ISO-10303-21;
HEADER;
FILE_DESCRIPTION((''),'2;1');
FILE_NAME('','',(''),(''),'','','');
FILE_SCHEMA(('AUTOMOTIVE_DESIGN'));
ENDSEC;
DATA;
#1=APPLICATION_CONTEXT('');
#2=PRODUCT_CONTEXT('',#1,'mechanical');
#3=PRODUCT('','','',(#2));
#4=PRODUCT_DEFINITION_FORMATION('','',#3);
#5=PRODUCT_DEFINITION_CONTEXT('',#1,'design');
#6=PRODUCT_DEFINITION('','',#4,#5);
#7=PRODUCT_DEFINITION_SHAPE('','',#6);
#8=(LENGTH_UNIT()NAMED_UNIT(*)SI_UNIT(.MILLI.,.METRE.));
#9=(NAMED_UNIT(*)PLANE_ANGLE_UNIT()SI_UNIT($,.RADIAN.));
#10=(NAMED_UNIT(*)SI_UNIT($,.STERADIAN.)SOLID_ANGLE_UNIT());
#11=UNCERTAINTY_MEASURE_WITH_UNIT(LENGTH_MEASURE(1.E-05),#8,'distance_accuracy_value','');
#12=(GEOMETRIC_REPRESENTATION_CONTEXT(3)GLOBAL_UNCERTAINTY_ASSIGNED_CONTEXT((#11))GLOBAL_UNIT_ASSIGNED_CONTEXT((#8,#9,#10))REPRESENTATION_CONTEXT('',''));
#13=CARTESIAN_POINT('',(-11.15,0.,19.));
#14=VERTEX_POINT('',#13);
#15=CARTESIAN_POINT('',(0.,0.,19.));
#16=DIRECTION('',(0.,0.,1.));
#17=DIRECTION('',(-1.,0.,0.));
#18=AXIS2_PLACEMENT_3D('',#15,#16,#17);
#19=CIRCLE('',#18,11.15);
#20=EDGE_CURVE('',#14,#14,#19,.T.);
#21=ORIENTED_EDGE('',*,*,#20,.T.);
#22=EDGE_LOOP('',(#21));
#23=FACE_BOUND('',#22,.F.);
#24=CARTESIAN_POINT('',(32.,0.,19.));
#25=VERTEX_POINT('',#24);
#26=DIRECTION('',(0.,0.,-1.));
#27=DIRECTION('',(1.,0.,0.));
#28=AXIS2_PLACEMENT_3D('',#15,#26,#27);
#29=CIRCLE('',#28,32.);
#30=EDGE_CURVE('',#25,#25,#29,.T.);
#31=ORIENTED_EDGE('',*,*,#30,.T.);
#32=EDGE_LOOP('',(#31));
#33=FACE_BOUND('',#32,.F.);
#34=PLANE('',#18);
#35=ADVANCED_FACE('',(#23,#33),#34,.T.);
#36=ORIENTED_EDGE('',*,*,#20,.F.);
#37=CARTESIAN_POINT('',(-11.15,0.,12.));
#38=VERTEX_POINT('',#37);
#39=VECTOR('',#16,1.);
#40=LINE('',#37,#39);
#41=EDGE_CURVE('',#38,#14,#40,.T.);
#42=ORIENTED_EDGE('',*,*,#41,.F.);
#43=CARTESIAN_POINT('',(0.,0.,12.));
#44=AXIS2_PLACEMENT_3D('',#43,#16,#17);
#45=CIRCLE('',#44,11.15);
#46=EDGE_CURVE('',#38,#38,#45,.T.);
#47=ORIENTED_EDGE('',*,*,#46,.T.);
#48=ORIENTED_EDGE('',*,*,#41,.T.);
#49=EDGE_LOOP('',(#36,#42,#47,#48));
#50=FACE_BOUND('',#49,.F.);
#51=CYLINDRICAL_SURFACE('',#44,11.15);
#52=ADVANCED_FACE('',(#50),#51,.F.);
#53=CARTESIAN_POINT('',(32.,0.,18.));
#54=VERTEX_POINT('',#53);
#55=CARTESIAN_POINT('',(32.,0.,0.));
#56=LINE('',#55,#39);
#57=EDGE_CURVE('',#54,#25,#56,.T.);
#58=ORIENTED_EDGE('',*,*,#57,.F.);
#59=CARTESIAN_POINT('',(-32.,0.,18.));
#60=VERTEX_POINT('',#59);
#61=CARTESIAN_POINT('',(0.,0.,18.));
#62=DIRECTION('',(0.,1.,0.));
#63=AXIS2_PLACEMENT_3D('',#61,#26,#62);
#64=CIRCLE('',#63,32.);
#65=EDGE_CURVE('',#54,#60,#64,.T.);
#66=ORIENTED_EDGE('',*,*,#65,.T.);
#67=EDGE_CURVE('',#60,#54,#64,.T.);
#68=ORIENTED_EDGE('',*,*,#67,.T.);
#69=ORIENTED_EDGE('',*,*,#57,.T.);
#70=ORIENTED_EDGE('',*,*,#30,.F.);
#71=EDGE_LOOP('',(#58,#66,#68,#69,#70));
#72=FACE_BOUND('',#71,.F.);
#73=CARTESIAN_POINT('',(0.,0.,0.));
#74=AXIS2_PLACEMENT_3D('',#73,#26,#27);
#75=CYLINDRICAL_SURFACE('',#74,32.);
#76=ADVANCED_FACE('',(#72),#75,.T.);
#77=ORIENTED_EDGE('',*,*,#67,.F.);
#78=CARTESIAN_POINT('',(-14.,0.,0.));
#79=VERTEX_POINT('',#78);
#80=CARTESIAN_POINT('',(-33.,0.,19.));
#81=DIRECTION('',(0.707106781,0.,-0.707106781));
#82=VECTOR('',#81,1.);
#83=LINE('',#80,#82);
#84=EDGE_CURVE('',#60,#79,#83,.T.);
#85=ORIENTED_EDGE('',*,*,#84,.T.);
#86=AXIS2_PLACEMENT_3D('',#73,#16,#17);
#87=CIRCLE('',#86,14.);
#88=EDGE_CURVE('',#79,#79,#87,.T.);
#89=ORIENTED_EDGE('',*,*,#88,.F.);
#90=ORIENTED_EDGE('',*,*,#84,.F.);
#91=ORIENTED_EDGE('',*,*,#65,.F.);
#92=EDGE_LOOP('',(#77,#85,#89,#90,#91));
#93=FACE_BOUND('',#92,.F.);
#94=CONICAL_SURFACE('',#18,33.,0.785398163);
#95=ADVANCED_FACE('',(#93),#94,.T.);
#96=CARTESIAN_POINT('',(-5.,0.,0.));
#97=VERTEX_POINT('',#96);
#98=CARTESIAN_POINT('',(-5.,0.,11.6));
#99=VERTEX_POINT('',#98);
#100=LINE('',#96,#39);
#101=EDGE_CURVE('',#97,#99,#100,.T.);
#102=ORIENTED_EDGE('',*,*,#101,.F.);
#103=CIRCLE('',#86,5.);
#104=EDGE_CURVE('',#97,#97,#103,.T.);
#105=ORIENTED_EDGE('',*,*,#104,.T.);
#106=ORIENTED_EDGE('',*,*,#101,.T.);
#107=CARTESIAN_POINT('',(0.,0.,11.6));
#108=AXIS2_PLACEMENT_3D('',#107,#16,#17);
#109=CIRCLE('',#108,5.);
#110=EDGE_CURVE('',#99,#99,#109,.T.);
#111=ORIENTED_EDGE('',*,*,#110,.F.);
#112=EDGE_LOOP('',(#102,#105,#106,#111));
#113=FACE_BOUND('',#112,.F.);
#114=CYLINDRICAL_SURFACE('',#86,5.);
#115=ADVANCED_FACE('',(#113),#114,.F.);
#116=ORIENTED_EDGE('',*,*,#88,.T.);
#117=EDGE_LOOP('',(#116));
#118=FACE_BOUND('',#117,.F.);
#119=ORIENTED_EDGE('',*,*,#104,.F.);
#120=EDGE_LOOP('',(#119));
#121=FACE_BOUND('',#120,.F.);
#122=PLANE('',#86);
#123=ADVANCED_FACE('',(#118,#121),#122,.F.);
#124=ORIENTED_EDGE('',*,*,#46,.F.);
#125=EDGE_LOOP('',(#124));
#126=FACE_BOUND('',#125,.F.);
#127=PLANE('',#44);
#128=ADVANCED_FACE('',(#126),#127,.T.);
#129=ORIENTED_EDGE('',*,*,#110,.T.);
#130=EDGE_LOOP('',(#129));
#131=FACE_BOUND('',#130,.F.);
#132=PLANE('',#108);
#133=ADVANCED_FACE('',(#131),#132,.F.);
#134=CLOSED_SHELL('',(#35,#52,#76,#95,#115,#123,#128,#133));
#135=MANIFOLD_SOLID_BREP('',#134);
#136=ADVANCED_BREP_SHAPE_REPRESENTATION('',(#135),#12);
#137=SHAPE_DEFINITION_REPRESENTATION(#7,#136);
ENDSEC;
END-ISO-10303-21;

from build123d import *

# Parameters (mm, degrees)
F0_W     = 5
F0_H     = 0.4
F2_R     = 32
F3_DEPTH = 25


with BuildPart() as f1:
    # F0 (on Front) → F1 (revolve)
    with BuildSketch(Plane.XZ):
        Polygon((-14, 0), (-5, 0), (-5, 11.6), (-5, 12), (-11.15, 12), (-11.15, 19), (-33, 19), align=None)
        with Locations((-2.5, 11.8)):
            Rectangle(F0_W, F0_H)
    revolve(axis=Axis((0, 0, 11.8), (0, 0, 1)))


with BuildPart() as f3:
    # F2 (on Top) → F3 (new body)
    with BuildSketch(Plane.XY):
        Circle(F2_R)
    extrude(amount=F3_DEPTH)


with BuildPart() as f1_1:
    add(f1.part)

    # F4: intersect F3
    add(f3.part, mode=Mode.INTERSECT)


solid = f1_1.part
